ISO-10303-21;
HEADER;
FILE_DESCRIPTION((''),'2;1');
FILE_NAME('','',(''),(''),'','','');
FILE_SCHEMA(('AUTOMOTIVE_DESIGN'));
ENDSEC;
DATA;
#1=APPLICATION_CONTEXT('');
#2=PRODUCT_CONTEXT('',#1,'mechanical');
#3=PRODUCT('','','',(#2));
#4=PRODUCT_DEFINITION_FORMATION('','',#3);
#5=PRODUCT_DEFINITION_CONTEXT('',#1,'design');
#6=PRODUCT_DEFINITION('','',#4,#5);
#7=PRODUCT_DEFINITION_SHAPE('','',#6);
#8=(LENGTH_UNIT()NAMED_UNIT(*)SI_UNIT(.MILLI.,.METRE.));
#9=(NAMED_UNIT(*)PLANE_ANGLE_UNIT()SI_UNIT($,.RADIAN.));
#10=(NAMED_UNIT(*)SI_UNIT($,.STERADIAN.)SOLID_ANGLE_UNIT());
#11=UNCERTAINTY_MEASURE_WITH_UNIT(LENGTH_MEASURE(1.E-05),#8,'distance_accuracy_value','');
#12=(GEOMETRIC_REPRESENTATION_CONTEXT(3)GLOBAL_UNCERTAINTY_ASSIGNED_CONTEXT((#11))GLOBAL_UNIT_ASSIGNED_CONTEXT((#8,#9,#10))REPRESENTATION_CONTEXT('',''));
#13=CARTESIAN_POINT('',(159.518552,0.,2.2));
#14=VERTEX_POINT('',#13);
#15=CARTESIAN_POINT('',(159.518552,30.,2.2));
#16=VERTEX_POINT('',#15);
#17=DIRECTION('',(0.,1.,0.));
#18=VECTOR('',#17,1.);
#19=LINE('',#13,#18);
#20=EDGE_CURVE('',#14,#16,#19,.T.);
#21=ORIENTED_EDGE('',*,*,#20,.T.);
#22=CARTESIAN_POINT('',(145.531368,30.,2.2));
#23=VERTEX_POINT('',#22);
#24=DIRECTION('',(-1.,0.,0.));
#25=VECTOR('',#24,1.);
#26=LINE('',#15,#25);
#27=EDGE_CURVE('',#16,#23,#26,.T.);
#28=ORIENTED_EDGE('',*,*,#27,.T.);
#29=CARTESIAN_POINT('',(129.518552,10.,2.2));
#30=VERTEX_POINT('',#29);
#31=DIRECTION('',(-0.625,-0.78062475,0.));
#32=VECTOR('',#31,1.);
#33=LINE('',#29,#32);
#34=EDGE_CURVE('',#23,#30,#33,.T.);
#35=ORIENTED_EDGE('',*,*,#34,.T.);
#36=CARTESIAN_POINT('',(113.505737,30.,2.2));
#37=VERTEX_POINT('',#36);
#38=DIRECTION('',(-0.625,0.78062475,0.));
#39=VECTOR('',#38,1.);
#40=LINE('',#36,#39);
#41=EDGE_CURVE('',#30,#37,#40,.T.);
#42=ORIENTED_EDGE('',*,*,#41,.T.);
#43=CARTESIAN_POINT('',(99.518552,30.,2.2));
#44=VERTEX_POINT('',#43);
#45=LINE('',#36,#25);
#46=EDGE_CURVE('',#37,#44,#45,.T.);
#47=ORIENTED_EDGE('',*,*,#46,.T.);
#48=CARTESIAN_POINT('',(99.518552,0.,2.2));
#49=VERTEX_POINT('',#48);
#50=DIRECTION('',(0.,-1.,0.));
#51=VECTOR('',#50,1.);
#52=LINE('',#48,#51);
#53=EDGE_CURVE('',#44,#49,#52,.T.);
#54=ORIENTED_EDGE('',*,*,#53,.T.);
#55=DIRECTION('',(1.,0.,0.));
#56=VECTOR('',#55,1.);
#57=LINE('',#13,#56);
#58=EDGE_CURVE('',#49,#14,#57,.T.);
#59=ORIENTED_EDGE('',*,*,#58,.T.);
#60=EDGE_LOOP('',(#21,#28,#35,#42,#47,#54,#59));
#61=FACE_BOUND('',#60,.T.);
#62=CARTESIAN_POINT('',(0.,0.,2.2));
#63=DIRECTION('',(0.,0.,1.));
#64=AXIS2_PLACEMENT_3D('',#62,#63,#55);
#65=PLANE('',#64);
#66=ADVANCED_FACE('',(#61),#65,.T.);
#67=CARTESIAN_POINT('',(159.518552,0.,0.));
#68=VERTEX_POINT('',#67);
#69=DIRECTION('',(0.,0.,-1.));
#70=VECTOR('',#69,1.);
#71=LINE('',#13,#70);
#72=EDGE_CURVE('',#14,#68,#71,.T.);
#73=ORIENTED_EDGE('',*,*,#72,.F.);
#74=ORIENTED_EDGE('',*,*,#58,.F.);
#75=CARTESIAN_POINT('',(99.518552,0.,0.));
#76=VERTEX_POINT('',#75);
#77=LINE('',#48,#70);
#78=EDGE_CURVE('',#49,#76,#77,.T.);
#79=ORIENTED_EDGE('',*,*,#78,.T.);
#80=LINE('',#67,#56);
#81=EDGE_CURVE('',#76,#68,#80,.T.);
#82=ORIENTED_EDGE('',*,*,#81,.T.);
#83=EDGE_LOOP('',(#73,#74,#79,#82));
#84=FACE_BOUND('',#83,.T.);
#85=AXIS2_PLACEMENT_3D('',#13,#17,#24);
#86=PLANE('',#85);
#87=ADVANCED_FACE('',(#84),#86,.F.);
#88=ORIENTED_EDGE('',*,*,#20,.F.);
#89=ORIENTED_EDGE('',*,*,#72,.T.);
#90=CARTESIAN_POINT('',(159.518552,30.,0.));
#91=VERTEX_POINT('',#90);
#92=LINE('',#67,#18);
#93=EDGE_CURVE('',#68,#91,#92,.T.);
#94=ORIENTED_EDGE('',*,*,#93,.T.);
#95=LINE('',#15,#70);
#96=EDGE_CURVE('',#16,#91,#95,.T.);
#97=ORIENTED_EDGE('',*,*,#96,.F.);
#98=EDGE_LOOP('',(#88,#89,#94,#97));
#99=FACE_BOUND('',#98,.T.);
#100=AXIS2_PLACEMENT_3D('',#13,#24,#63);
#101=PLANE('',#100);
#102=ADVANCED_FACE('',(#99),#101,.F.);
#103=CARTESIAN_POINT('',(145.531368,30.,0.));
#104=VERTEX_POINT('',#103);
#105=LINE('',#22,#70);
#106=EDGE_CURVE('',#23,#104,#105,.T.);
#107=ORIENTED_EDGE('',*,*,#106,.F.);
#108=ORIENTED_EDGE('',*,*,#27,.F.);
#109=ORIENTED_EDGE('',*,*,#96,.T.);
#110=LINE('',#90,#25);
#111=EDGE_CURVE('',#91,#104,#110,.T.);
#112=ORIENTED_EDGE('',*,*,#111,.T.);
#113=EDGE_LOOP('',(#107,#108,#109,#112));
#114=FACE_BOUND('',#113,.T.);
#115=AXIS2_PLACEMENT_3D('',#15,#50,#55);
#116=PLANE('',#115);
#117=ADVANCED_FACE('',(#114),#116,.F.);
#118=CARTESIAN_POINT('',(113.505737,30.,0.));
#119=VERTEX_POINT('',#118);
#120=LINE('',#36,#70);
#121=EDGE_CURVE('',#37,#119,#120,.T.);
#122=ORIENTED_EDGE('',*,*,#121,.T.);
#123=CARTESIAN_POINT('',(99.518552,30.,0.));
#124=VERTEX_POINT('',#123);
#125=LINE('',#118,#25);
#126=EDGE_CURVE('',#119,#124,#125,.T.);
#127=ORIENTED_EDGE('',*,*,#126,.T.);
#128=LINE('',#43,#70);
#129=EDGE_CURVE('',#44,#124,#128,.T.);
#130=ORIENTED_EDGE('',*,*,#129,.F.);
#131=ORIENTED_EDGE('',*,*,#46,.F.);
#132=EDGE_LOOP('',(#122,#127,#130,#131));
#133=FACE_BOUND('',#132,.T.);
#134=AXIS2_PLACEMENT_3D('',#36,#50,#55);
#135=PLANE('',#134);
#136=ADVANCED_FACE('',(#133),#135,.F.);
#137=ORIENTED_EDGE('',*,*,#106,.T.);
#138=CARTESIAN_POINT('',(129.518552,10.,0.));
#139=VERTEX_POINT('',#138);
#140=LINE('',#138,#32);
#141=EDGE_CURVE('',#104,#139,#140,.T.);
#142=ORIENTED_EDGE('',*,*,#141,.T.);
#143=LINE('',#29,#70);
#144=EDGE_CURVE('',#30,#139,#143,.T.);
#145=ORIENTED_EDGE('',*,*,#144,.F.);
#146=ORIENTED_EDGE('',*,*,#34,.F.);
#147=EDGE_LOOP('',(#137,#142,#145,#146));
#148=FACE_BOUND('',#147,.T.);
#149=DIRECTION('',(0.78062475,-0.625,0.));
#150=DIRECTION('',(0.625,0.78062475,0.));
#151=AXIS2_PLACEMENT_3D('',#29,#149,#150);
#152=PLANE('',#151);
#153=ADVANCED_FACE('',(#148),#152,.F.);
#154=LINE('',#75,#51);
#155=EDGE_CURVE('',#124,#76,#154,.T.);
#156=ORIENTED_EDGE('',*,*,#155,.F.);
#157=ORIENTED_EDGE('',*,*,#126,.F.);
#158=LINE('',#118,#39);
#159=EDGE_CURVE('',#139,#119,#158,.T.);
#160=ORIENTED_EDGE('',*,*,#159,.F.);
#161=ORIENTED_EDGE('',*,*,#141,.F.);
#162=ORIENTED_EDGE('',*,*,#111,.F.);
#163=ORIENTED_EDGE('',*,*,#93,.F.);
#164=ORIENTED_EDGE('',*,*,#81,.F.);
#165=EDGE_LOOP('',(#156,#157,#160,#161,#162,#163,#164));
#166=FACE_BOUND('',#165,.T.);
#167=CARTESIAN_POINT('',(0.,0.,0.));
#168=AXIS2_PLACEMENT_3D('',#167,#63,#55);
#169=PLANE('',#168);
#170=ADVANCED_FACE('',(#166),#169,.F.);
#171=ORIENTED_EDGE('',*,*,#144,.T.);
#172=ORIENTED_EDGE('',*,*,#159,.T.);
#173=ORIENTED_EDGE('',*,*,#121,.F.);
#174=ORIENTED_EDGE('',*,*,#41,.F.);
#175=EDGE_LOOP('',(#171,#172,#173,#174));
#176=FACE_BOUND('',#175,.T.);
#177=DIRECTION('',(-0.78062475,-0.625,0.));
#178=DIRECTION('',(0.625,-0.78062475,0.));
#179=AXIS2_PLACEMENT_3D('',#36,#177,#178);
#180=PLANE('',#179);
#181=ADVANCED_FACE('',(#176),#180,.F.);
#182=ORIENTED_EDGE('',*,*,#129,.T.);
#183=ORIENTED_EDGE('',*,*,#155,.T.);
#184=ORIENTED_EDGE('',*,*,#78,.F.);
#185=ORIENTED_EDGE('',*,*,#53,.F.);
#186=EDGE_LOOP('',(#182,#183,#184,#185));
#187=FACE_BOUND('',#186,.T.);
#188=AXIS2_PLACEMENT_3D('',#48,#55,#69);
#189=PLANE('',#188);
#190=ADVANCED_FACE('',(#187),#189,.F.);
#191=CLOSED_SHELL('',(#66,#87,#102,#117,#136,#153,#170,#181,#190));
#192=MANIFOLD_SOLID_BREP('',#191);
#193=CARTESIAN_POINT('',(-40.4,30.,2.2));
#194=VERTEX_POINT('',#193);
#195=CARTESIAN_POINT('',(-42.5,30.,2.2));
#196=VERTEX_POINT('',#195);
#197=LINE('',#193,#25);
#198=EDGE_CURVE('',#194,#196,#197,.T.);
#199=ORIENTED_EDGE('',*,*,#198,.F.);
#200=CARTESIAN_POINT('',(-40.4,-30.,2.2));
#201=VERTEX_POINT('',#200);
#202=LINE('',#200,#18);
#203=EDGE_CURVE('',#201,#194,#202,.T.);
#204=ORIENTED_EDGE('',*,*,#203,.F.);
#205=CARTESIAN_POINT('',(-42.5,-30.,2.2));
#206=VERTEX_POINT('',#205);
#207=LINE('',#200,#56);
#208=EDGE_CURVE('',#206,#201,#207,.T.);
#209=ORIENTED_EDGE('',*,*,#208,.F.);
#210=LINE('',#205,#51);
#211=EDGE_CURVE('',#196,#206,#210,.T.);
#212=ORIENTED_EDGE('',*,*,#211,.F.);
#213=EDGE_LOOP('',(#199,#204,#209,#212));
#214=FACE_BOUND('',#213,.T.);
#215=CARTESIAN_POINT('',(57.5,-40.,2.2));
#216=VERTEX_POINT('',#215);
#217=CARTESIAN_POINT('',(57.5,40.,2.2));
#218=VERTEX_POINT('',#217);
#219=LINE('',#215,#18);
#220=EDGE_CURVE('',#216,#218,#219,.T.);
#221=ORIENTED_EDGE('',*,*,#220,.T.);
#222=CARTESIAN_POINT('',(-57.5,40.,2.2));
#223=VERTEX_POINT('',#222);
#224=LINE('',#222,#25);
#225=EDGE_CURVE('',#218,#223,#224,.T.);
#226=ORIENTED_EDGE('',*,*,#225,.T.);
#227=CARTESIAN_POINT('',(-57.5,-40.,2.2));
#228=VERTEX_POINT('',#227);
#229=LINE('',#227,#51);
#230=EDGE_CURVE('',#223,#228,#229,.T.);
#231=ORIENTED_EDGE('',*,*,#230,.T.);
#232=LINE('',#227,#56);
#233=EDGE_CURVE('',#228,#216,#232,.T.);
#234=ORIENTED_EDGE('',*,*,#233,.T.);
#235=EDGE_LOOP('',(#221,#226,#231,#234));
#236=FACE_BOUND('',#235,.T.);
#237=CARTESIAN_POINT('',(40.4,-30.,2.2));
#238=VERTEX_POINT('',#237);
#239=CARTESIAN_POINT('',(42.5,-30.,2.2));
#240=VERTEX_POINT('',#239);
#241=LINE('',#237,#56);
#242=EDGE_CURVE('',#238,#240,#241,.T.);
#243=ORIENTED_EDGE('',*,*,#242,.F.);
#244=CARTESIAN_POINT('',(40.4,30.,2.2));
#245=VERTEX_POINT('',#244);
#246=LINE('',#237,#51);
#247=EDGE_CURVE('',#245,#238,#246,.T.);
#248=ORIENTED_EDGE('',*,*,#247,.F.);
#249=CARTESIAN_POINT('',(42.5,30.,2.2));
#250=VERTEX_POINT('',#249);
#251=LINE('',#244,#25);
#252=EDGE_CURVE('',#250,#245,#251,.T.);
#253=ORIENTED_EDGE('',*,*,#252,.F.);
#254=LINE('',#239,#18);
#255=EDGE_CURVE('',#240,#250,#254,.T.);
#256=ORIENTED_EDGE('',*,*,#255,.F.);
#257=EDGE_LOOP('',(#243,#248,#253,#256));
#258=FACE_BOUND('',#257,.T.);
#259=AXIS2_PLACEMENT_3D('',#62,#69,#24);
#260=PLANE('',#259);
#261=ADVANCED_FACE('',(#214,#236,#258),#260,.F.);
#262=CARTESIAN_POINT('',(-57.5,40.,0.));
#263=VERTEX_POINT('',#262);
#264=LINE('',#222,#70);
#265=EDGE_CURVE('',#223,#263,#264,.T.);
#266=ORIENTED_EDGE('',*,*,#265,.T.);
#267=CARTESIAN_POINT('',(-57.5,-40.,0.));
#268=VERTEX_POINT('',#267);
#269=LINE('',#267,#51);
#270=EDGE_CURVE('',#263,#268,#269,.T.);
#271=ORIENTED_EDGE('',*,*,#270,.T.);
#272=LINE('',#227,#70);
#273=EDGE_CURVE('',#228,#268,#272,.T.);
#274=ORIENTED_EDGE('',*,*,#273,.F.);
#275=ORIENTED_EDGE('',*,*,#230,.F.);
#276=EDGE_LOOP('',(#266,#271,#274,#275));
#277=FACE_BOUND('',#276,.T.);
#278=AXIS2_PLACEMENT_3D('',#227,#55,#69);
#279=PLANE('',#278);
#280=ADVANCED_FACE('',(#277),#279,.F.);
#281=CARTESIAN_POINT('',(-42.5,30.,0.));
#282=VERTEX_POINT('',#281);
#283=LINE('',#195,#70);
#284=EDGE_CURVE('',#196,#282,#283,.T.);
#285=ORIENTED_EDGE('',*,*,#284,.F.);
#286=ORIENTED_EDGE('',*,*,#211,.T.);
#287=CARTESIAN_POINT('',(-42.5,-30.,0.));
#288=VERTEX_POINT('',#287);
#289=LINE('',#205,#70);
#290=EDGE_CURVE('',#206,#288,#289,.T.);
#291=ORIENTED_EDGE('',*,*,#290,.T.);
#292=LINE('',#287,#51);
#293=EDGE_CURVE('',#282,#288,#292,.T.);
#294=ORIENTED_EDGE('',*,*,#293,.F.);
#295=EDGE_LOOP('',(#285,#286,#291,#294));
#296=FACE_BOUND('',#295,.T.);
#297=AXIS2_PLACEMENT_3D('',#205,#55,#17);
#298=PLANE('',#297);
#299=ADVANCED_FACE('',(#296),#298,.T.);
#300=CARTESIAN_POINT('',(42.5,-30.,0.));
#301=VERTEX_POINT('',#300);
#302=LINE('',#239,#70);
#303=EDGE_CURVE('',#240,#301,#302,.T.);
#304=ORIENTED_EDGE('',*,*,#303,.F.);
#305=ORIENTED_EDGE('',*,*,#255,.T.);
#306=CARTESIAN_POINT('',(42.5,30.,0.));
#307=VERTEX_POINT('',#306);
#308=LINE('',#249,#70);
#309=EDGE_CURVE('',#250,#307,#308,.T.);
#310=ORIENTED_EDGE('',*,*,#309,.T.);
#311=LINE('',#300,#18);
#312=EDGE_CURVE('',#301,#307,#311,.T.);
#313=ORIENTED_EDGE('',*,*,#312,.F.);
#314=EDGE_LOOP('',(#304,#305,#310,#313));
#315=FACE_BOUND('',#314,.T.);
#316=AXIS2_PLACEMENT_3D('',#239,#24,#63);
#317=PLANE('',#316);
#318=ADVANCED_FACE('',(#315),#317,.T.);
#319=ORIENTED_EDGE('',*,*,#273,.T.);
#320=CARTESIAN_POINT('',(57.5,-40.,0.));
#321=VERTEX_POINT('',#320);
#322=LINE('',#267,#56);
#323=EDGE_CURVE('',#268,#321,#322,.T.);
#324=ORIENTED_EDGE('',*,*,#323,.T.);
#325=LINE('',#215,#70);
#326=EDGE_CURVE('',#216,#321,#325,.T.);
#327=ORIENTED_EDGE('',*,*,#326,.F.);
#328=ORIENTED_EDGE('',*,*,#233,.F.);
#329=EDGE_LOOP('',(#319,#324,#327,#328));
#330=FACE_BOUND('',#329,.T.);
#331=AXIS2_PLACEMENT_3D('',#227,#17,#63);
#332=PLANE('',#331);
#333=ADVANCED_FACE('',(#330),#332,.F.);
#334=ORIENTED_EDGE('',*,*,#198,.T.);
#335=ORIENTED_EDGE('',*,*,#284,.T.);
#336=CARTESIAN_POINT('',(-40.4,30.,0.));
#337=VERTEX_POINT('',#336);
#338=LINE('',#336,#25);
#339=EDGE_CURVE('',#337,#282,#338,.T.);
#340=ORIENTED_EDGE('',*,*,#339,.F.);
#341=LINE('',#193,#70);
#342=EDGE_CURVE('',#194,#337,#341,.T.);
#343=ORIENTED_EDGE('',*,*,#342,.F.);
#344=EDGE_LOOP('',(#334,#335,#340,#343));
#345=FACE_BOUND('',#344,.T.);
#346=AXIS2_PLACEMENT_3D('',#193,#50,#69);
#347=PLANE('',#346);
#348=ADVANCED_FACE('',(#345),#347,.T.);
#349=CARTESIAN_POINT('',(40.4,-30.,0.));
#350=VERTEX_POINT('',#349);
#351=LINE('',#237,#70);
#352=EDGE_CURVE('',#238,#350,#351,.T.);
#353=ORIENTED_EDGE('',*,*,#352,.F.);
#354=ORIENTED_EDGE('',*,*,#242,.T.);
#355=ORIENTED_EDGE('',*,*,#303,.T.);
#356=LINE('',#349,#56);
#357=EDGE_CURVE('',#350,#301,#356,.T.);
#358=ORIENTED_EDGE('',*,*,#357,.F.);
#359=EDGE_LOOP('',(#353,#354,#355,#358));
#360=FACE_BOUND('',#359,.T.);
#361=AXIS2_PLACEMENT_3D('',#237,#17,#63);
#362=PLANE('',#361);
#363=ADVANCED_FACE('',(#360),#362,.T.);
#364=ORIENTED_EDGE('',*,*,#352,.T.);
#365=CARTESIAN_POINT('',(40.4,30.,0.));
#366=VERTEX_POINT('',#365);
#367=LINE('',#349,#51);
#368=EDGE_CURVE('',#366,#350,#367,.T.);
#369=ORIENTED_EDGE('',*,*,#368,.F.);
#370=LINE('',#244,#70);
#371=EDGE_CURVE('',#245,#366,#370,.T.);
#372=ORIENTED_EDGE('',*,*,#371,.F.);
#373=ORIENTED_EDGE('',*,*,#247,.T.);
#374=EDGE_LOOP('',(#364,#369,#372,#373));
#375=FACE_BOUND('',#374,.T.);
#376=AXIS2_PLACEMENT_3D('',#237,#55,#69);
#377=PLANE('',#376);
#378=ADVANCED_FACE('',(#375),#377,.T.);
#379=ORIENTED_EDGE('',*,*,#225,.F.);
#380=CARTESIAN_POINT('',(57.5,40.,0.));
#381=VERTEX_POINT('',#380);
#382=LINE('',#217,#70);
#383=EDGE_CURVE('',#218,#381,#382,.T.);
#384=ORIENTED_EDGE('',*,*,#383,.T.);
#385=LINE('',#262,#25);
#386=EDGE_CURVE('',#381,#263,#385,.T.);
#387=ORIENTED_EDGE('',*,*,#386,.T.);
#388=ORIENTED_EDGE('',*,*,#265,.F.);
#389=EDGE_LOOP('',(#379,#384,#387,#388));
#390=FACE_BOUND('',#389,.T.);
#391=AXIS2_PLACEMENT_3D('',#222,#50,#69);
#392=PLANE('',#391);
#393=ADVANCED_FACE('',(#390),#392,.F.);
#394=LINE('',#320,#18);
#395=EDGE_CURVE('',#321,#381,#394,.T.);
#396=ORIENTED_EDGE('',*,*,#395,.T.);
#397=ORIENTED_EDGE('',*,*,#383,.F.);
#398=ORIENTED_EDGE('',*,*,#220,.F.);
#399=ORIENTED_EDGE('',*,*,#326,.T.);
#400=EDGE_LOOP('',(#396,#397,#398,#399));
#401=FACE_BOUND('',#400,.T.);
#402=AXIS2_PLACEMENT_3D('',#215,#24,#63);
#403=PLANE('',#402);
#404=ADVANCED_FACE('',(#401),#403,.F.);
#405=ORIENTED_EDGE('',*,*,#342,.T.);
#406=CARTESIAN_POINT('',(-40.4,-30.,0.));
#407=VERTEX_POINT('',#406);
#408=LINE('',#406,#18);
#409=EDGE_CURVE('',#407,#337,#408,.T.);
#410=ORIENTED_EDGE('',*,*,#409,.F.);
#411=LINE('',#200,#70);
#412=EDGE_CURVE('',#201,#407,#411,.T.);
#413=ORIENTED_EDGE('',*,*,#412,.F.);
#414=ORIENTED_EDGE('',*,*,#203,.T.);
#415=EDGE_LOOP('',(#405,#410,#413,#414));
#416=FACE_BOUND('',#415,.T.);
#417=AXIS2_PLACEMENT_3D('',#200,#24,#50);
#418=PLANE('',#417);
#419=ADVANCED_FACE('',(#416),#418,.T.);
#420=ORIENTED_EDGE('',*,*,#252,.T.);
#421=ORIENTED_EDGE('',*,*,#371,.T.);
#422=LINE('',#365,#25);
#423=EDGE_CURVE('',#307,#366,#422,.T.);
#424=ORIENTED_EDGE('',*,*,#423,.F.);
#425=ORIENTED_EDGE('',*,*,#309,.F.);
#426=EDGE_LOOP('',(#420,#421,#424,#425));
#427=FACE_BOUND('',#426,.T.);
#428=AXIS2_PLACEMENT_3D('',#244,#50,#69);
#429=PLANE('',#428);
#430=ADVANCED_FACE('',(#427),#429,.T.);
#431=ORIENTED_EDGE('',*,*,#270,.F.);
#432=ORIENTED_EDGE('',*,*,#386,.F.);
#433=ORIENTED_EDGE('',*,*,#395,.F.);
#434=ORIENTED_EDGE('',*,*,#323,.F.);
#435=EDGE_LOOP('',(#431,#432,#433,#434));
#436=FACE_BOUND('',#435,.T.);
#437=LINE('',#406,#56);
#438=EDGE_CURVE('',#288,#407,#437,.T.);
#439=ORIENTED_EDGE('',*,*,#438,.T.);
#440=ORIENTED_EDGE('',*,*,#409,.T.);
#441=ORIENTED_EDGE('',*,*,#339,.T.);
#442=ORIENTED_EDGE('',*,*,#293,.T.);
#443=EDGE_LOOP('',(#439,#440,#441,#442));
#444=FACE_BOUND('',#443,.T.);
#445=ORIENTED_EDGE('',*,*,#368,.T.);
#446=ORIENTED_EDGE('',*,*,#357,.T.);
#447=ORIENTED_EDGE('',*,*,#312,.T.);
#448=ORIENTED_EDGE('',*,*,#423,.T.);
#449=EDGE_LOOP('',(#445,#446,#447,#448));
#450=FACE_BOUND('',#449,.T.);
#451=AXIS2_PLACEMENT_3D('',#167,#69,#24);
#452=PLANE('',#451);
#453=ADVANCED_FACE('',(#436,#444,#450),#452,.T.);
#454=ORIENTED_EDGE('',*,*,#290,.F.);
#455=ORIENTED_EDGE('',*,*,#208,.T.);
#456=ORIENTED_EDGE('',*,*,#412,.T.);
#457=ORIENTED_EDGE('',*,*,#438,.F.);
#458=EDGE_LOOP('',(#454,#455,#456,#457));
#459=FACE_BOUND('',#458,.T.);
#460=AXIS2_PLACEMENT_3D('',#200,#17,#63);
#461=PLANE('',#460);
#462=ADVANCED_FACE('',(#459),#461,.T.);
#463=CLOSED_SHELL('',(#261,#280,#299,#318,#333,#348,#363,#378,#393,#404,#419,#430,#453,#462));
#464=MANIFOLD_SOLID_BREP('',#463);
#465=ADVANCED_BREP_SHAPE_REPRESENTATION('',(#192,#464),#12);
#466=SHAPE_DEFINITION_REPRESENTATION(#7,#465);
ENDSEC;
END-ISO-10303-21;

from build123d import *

# Parameters (mm, degrees)
SKETCH1_W             = 115
SKETCH1_H             = 80
SKETCH1_W_2           = 2.1
SKETCH1_H_2           = 60
BOSS_EXTRUDE1_DEPTH   = 2.2
BOSS_EXTRUDE1_2_DEPTH = 2.2


with BuildPart() as part:
    # Sketch1 → Boss-Extrude1 (new body)
    with BuildSketch(Plane.XY):
        Rectangle(SKETCH1_W, SKETCH1_H)
        with Locations((41.45, 0)):
            Rectangle(SKETCH1_W_2, SKETCH1_H_2, mode=Mode.SUBTRACT)
        with Locations((-41.45, 0)):
            Rectangle(SKETCH1_W_2, SKETCH1_H_2, mode=Mode.SUBTRACT)
    extrude(amount=BOSS_EXTRUDE1_DEPTH)


with BuildPart() as body_2:
    # Sketch1 → Boss-Extrude1 2 (new body)
    with BuildSketch(Plane.XY):
        Polygon((113.505737111, 30), (129.518552491, 10), (145.531367872, 30), (159.518552491, 30), (159.518552491, 0), (99.518552491, 0), (99.518552491, 30), align=None)
    extrude(amount=BOSS_EXTRUDE1_2_DEPTH)


solid = Compound([part.part, body_2.part])
